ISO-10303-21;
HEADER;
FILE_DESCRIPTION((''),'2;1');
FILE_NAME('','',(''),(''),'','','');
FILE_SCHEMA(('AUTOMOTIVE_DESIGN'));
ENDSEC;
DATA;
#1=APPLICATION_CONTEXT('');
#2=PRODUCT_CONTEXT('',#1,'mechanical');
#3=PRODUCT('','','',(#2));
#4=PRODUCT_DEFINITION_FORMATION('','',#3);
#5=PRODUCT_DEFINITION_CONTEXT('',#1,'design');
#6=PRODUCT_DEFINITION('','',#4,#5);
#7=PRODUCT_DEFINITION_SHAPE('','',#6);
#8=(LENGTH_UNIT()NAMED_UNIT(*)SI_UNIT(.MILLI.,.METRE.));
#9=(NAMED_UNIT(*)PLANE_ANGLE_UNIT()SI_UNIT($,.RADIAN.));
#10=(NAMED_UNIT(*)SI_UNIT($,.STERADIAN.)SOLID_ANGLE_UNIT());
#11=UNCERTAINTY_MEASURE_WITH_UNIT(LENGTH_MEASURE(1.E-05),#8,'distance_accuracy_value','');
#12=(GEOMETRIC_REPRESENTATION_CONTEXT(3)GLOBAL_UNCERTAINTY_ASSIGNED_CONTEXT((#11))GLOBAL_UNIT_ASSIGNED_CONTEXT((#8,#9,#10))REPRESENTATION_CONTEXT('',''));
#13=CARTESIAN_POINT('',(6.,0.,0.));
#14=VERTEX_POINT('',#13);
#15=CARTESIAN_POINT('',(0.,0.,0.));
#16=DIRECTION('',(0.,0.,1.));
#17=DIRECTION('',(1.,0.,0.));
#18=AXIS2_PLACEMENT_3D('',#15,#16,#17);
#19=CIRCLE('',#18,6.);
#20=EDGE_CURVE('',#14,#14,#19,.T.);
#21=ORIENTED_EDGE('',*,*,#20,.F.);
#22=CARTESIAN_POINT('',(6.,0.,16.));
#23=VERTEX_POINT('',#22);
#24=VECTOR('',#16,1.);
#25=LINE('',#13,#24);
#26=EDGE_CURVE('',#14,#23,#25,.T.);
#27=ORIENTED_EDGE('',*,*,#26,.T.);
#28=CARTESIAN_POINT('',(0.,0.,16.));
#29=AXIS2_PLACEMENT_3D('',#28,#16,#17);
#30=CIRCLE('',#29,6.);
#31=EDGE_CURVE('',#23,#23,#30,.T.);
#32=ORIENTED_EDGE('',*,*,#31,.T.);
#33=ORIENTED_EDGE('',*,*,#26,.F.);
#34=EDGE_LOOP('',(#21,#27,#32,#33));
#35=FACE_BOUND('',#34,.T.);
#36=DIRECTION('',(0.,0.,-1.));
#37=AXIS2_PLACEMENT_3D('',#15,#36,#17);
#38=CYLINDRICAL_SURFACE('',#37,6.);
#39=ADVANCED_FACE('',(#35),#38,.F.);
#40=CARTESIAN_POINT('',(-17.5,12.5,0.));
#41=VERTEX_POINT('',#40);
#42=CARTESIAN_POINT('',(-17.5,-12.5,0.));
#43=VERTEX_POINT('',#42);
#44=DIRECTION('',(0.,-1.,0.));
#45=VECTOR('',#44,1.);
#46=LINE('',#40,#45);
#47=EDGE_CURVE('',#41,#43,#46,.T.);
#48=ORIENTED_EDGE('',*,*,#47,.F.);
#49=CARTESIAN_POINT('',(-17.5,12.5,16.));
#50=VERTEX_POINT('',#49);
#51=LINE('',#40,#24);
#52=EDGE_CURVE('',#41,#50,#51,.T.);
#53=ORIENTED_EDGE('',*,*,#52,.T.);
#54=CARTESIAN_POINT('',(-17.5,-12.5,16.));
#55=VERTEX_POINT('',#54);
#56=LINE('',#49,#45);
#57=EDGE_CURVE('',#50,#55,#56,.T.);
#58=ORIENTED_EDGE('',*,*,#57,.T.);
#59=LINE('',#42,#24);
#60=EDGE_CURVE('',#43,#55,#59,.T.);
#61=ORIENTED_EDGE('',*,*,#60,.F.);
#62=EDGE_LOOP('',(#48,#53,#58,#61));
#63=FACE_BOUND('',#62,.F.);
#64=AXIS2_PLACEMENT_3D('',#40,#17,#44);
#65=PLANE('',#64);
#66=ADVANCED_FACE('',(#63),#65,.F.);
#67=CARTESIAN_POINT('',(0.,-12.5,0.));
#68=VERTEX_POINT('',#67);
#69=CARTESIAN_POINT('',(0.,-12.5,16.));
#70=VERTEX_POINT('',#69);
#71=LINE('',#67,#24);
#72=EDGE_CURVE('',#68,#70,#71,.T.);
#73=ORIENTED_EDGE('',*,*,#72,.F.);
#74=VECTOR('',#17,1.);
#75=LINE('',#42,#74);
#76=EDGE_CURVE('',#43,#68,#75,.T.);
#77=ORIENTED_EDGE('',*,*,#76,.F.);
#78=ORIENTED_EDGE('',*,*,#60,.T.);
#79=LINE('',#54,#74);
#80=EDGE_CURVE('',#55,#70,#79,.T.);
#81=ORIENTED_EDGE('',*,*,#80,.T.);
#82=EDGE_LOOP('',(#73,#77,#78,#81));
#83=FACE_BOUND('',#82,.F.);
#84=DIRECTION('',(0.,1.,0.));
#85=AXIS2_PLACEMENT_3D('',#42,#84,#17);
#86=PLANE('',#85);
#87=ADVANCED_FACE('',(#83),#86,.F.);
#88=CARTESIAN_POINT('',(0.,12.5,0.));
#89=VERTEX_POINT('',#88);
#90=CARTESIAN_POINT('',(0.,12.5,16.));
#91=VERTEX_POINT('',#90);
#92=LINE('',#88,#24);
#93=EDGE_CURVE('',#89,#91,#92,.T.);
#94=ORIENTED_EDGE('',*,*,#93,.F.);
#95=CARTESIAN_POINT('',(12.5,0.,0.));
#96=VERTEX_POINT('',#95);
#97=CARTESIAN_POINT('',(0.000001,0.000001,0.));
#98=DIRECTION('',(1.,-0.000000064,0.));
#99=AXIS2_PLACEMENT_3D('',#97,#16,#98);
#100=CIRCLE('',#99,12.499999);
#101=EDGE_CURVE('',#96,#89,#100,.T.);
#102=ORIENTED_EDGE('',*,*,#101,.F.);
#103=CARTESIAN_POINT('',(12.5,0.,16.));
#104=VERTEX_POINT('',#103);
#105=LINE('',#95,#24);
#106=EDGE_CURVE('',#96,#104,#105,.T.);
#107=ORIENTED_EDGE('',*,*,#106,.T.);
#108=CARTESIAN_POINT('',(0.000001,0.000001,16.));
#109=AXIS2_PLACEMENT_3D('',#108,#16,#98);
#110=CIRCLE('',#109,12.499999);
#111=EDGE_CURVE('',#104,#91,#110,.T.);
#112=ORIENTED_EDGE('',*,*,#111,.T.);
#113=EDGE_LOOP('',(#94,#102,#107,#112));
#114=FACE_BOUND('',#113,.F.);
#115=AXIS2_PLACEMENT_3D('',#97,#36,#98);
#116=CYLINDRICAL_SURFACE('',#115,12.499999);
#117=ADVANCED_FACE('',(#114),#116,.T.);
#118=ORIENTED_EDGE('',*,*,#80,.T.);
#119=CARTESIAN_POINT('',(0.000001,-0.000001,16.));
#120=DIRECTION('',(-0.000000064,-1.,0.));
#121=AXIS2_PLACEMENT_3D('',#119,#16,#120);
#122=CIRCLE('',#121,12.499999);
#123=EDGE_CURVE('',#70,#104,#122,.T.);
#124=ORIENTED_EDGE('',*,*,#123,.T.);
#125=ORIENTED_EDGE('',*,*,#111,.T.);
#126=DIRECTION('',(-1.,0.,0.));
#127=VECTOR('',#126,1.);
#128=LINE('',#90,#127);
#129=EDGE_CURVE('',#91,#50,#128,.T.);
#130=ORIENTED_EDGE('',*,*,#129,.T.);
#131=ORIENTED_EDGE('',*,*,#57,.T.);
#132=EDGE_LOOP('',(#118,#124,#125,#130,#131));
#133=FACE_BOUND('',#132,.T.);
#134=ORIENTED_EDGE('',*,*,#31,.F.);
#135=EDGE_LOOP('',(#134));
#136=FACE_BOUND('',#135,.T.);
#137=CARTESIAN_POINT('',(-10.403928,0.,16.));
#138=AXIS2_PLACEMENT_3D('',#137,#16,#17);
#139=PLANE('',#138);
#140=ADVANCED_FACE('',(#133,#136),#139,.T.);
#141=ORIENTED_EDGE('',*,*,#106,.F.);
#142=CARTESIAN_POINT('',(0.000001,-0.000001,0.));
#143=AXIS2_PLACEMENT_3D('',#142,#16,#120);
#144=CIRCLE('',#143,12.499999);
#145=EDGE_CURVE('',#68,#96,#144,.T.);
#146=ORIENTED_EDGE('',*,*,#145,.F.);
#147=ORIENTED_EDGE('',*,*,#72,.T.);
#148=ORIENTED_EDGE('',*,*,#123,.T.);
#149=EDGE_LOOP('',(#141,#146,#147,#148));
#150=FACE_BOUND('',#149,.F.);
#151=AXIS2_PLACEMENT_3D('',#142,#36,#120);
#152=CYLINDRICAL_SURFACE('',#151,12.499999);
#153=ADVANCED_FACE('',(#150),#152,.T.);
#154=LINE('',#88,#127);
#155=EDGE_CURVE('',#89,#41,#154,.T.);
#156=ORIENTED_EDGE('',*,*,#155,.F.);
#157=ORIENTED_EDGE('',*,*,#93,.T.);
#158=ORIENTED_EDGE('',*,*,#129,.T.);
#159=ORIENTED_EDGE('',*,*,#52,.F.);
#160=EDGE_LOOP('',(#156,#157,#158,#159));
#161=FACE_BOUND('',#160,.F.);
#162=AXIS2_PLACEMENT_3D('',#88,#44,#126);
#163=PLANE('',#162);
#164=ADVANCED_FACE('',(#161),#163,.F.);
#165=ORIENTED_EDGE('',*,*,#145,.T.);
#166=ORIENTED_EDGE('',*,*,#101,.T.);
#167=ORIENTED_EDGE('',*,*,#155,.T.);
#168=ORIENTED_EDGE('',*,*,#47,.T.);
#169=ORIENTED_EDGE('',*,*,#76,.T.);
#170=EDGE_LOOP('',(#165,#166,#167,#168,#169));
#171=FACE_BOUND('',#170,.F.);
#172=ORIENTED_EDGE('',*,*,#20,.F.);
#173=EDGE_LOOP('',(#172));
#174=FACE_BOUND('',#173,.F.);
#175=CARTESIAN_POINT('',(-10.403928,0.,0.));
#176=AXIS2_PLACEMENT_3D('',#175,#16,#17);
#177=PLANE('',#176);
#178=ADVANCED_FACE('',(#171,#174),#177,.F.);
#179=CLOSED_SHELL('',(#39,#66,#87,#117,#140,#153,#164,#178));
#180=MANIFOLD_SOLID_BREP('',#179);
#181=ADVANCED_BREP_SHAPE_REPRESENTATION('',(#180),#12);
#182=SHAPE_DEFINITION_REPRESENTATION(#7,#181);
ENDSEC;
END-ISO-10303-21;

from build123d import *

# Parameters (mm, degrees)
F0_R     = 6
F1_DEPTH = 16


with BuildPart() as f1:
    # F0 (on Top) → F1 (new body)
    with BuildSketch(Plane.XY):
        with BuildLine():
            Line((0, 12.5), (-17.5, 12.5))
            Line((-17.5, 12.5), (-17.5, -12.5))
            Line((-17.5, -12.5), (0, -12.5))
            ThreePointArc((0, -12.5), (-12.5, 0), (0, 12.5))
        make_face()
        with BuildLine():
            ThreePointArc((12.5, 0), (8.838835, 8.838835), (0, 12.5))
            ThreePointArc((0, 12.5), (-12.5, 0), (0, -12.5))
            ThreePointArc((0, -12.5), (8.838835, -8.838835), (12.5, 0))
        make_face()
        Circle(F0_R, mode=Mode.SUBTRACT)
    extrude(amount=F1_DEPTH)


solid = f1.part
